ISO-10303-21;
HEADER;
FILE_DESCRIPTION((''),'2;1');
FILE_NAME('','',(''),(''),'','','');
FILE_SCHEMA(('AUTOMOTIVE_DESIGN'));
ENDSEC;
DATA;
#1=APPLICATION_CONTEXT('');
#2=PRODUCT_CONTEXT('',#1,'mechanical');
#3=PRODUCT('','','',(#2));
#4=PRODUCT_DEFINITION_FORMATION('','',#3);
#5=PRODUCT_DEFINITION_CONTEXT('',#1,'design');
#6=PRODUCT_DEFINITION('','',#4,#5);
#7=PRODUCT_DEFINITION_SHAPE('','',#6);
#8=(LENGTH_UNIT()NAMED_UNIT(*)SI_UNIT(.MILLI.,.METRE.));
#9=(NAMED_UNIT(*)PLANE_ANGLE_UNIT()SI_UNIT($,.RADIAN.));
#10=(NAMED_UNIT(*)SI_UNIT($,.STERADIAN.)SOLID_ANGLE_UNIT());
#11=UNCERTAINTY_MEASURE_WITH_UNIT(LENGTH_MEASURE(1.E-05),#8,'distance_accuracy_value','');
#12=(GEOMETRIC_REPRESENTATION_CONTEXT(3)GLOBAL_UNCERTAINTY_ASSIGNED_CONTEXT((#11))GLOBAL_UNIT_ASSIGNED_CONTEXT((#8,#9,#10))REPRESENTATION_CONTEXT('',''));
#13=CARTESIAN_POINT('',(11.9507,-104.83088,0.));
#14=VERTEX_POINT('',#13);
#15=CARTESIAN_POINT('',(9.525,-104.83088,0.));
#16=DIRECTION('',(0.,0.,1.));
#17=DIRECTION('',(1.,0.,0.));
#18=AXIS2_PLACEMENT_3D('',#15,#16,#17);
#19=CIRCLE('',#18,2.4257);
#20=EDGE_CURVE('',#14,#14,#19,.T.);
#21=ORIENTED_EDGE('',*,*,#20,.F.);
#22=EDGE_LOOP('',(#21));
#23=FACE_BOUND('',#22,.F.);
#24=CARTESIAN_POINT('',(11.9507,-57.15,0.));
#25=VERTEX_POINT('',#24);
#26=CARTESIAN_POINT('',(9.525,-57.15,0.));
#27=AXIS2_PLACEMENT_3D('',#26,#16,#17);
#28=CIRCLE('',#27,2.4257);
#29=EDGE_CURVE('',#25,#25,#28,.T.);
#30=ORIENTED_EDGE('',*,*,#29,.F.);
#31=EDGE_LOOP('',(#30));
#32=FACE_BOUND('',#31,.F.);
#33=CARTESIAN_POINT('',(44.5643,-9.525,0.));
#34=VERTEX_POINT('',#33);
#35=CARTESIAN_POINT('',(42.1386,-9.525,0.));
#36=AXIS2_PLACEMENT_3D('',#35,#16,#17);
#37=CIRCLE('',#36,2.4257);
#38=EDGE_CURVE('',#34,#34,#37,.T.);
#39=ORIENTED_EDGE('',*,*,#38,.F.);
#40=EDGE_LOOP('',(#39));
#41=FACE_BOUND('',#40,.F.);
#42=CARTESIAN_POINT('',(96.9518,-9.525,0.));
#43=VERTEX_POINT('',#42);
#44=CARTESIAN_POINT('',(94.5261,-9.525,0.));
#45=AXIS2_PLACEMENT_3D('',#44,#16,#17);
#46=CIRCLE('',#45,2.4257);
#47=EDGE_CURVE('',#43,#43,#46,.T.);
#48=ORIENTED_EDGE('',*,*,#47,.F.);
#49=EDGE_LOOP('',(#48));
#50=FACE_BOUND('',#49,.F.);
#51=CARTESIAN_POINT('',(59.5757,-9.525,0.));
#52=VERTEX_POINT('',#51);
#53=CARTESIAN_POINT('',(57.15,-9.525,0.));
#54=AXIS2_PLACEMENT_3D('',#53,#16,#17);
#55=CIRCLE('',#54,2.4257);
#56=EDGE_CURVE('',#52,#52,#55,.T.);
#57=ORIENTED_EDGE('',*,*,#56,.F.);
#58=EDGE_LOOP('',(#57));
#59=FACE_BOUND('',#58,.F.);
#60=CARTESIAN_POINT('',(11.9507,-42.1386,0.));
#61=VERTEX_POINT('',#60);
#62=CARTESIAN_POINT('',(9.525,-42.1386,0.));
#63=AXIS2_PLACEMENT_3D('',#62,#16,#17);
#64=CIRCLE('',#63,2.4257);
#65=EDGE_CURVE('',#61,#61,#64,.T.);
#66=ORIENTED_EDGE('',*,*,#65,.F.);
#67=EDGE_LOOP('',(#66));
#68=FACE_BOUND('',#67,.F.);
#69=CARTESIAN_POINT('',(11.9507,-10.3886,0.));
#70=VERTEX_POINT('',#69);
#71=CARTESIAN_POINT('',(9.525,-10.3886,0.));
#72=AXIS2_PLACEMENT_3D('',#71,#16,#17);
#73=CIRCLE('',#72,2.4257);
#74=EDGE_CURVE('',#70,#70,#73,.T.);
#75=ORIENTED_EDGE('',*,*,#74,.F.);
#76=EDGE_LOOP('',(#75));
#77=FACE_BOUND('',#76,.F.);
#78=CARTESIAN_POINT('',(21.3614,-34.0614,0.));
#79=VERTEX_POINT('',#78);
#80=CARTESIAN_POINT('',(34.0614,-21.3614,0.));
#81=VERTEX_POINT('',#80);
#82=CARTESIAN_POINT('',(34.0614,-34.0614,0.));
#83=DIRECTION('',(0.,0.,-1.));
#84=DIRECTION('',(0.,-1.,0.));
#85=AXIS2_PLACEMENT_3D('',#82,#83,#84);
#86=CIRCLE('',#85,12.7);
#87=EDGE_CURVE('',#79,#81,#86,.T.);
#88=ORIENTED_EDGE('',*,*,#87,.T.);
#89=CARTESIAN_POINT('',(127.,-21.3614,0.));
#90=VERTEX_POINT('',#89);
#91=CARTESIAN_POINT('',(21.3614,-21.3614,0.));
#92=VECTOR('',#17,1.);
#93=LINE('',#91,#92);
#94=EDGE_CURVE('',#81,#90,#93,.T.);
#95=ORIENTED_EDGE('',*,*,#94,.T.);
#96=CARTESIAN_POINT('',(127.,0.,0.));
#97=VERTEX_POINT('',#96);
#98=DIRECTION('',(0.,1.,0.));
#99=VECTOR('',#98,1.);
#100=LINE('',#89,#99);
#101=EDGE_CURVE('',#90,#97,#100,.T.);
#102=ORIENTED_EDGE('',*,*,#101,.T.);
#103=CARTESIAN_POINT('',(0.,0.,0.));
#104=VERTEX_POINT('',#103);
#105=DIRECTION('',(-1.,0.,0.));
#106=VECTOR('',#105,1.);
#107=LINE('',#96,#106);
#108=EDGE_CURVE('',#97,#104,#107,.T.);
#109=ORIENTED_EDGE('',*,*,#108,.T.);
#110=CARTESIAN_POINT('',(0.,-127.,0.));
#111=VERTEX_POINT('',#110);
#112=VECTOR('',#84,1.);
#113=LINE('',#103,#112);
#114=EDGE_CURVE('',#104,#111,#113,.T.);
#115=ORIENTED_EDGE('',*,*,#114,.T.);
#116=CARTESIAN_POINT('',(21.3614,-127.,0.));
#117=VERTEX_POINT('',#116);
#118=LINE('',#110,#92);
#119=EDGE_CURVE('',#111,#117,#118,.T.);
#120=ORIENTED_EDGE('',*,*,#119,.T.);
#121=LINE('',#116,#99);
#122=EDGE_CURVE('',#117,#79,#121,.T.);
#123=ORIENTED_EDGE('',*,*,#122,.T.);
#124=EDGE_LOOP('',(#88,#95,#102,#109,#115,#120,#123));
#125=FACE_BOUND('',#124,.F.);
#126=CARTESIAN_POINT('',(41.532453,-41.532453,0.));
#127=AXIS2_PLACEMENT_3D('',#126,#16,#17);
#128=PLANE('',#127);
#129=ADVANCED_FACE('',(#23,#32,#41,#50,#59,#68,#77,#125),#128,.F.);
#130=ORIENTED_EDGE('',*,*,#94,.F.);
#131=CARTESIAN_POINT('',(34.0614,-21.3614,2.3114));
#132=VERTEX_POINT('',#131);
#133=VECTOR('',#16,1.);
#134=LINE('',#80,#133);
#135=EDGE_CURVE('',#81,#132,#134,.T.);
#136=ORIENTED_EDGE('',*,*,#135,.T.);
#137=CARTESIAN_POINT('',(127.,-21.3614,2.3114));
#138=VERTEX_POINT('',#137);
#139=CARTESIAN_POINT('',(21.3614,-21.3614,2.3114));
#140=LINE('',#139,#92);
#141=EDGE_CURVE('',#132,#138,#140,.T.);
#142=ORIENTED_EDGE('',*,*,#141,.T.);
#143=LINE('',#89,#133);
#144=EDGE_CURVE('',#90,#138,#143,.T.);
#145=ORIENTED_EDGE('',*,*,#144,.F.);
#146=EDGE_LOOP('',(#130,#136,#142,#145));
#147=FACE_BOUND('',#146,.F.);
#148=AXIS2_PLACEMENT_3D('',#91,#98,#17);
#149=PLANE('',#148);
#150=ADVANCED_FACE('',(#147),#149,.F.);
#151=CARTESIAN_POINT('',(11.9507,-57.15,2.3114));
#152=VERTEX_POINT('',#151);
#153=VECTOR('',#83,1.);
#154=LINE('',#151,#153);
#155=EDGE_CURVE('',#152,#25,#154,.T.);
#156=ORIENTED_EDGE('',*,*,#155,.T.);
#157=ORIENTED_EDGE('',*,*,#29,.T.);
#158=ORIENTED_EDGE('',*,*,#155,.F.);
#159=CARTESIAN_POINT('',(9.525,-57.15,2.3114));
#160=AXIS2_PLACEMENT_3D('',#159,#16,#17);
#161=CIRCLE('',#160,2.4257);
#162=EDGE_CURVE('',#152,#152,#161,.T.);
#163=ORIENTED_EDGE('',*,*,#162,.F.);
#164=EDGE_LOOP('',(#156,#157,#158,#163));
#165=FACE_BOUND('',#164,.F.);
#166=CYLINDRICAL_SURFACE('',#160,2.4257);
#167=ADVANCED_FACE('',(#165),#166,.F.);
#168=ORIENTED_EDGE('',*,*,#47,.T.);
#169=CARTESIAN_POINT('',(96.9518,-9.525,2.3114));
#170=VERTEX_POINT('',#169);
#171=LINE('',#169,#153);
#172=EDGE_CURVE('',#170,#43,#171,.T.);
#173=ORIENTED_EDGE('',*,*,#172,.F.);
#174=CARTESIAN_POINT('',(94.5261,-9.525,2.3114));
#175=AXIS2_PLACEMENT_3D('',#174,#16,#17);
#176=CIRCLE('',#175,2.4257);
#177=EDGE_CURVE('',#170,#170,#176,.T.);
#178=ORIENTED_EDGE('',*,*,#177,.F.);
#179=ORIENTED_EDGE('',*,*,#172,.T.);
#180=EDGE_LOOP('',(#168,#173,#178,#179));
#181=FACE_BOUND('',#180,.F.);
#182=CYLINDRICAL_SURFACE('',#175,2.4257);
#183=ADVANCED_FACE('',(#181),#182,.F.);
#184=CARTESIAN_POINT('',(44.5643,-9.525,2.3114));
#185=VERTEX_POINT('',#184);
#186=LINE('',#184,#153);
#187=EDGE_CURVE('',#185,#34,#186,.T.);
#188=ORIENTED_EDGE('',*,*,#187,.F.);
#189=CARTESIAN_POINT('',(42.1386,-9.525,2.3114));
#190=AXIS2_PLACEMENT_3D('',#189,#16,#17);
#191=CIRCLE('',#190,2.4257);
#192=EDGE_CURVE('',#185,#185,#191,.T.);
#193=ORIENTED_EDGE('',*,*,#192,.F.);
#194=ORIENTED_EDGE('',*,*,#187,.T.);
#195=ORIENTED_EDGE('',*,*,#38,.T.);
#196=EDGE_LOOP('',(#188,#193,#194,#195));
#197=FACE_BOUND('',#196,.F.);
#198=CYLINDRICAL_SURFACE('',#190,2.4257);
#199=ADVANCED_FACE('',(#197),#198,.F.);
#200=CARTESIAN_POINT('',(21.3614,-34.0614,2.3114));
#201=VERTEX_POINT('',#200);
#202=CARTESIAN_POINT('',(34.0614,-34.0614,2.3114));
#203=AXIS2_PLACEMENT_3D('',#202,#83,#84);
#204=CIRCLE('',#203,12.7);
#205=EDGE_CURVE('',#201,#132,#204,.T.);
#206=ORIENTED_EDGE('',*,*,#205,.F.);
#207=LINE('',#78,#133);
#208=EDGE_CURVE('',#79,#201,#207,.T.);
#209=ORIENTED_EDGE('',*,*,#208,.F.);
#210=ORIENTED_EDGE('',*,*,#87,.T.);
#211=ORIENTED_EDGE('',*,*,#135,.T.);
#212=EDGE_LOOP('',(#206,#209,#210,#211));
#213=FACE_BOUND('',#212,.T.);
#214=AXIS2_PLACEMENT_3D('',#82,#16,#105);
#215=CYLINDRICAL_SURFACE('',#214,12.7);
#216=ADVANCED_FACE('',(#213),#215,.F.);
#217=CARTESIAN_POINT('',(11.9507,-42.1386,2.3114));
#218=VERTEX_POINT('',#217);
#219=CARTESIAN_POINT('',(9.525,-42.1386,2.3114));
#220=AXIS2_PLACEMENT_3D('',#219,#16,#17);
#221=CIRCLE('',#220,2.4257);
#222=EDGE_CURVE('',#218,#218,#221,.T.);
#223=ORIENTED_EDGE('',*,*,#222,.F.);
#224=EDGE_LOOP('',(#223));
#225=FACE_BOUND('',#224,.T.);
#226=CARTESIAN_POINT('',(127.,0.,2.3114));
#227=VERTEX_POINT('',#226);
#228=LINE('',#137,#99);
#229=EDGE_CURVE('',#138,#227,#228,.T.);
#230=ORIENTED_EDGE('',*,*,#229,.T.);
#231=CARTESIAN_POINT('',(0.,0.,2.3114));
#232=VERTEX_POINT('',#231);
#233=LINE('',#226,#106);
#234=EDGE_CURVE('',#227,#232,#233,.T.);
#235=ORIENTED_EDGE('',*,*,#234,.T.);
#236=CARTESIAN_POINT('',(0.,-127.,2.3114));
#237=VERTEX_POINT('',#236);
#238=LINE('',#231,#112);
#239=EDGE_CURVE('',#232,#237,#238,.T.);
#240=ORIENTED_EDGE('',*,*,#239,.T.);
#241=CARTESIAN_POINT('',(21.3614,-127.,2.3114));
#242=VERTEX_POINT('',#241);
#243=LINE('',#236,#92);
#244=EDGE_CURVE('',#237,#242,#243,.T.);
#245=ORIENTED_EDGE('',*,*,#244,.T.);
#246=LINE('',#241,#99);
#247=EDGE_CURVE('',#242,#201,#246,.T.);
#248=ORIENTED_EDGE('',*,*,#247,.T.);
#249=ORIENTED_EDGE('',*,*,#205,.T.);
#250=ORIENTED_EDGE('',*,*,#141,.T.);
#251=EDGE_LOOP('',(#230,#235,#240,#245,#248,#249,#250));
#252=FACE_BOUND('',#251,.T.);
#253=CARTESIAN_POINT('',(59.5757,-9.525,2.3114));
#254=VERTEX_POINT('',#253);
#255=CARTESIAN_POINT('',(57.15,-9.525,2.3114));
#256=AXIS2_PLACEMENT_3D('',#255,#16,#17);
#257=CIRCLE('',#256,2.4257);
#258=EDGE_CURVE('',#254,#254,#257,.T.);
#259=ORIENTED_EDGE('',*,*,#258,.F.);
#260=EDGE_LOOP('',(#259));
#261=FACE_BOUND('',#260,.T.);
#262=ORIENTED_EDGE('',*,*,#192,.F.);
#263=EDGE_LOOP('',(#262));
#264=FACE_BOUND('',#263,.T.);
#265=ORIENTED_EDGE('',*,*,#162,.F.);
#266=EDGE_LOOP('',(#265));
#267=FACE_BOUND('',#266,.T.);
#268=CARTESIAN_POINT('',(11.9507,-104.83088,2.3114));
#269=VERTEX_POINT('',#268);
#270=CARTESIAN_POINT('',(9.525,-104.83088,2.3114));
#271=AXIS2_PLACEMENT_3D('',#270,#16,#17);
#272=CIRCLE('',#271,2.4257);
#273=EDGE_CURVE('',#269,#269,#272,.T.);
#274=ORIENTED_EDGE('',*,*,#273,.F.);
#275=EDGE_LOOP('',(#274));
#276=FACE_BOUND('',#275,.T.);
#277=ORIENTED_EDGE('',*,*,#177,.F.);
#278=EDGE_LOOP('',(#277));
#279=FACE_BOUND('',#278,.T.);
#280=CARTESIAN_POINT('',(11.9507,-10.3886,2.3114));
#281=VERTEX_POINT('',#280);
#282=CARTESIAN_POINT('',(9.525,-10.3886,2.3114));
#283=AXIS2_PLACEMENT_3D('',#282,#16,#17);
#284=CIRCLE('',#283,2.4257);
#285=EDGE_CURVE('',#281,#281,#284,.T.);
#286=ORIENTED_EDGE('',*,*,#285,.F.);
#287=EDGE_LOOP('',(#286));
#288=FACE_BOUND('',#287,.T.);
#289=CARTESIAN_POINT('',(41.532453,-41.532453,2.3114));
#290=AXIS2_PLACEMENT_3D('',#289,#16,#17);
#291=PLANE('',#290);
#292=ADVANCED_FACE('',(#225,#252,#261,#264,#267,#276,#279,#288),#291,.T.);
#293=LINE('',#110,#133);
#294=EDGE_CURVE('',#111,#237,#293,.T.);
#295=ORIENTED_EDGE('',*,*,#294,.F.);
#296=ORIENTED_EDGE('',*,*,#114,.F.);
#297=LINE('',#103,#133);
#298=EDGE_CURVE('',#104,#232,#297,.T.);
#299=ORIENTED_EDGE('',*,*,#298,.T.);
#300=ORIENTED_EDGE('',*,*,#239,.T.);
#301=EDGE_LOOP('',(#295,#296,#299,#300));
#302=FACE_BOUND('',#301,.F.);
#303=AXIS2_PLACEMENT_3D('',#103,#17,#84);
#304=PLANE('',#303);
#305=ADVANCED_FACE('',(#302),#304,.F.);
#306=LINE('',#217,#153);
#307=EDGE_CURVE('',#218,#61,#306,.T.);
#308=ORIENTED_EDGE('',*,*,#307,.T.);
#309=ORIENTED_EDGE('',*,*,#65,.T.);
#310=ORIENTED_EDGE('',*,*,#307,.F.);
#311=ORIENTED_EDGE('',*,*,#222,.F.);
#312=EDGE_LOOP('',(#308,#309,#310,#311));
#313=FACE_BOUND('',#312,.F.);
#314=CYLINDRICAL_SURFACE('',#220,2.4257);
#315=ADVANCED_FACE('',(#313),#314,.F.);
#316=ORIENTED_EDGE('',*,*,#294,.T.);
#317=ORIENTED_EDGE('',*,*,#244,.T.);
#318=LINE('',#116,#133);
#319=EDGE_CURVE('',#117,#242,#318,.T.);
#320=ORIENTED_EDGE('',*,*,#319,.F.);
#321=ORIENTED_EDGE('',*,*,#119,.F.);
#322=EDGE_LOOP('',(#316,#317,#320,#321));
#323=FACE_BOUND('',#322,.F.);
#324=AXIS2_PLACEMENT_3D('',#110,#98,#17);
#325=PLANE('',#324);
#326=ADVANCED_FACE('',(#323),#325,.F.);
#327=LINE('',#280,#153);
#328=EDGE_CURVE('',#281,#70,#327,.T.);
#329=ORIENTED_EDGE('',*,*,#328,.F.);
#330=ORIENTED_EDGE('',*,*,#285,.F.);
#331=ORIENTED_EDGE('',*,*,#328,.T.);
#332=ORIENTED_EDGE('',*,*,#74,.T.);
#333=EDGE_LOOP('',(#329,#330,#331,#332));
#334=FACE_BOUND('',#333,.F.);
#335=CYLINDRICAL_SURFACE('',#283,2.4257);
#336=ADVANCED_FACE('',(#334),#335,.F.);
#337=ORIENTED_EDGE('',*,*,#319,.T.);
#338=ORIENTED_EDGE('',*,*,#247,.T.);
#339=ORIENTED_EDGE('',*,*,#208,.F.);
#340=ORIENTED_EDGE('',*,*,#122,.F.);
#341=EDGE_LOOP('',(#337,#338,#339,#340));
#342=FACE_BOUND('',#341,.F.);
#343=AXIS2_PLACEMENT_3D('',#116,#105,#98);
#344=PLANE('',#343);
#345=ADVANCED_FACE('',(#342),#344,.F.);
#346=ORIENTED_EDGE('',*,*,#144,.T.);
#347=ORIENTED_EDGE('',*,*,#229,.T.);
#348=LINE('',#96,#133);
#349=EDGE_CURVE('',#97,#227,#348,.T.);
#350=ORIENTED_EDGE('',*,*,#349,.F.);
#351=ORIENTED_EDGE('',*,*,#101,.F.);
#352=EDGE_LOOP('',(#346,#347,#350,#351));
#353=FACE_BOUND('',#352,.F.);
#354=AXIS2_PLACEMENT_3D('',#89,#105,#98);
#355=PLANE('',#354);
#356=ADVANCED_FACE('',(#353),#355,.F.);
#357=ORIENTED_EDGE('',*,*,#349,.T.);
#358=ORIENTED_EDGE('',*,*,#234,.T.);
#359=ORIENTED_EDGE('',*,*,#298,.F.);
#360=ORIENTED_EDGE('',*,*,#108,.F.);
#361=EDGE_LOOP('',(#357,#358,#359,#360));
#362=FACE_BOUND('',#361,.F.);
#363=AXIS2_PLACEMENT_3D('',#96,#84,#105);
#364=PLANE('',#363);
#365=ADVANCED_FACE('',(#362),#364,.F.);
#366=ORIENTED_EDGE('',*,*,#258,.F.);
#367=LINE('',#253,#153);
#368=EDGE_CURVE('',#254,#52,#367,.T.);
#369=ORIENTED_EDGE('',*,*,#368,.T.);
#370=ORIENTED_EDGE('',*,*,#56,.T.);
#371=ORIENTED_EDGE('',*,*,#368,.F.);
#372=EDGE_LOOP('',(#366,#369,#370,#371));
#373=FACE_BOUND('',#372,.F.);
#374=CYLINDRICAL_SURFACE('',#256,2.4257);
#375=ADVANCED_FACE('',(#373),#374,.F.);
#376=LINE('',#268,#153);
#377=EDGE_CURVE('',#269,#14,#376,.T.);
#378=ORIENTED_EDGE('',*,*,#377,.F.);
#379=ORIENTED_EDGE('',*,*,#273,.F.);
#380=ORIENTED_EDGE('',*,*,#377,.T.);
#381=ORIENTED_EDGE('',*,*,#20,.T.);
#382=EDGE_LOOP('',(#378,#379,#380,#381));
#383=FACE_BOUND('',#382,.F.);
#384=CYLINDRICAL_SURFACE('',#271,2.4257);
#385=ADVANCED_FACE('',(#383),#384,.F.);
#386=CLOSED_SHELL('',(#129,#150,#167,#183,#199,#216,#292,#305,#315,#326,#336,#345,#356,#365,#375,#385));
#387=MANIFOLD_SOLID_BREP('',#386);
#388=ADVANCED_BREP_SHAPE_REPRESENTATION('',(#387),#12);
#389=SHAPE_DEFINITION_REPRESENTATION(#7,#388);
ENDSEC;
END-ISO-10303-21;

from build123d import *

# Parameters (mm, degrees)
BOSS_EXTRUDE1_DEPTH = 2.3114
FILLET1_R           = 12.7
SKETCH2_R           = 2.4257
CUT_EXTRUDE1_DEPTH  = 180.619994906
SKETCH3_R           = 2.4257
CUT_EXTRUDE2_DEPTH  = 180.619994906
SKETCH4_R           = 2.4257
CUT_EXTRUDE3_DEPTH  = 180.619994906
SKETCH5_R           = 2.4257
CUT_EXTRUDE4_DEPTH  = 180.619994906
SKETCH6_R           = 2.4257
CUT_EXTRUDE5_DEPTH  = 180.619994906


with BuildPart() as part:
    # Sketch1 → Boss-Extrude1 (new body)
    with BuildSketch(Plane.XY):
        Polygon((0, 0), (0, -127), (21.3614, -127), (21.3614, -21.3614), (127, -21.3614), (127, 0), align=None)
    extrude(amount=BOSS_EXTRUDE1_DEPTH)

    # Fillet1
    fillet1_edges = [part.edges().sort_by_distance(p)[0] for p in [
        (21.3614, -21.3614, 1.1557),
    ]]
    fillet(fillet1_edges, radius=FILLET1_R)

    # Sketch2 → Cut-Extrude1 (cut, through all)
    with BuildSketch(Plane.XY.offset(2.3114)):
        with Locations((9.525, -104.83088)):
            Circle(SKETCH2_R)
        with Locations((94.5261, -9.525)):
            Circle(SKETCH2_R)
    extrude(amount=-CUT_EXTRUDE1_DEPTH, mode=Mode.SUBTRACT)

    # Sketch3 → Cut-Extrude2 (cut, through all)
    with BuildSketch(Plane.XY.offset(2.3114)):
        with Locations((42.1386, -9.525)):
            Circle(SKETCH3_R)
        with Locations((9.525, -10.3886)):
            Circle(SKETCH3_R)
    extrude(amount=-CUT_EXTRUDE2_DEPTH, mode=Mode.SUBTRACT)

    # Sketch4 → Cut-Extrude3 (cut, through all)
    with BuildSketch(Plane.XY.offset(2.3114)):
        with Locations((9.525, -42.1386)):
            Circle(SKETCH4_R)
    extrude(amount=-CUT_EXTRUDE3_DEPTH, mode=Mode.SUBTRACT)

    # Sketch5 → Cut-Extrude4 (cut, through all)
    with BuildSketch(Plane.XY.offset(2.3114)):
        with Locations((9.525, -57.15)):
            Circle(SKETCH5_R)
    extrude(amount=-CUT_EXTRUDE4_DEPTH, mode=Mode.SUBTRACT)

    # Sketch6 → Cut-Extrude5 (cut, through all)
    with BuildSketch(Plane.XY.offset(2.3114)):
        with Locations((57.15, -9.525)):
            Circle(SKETCH6_R)
    extrude(amount=-CUT_EXTRUDE5_DEPTH, mode=Mode.SUBTRACT)


solid = part.part
